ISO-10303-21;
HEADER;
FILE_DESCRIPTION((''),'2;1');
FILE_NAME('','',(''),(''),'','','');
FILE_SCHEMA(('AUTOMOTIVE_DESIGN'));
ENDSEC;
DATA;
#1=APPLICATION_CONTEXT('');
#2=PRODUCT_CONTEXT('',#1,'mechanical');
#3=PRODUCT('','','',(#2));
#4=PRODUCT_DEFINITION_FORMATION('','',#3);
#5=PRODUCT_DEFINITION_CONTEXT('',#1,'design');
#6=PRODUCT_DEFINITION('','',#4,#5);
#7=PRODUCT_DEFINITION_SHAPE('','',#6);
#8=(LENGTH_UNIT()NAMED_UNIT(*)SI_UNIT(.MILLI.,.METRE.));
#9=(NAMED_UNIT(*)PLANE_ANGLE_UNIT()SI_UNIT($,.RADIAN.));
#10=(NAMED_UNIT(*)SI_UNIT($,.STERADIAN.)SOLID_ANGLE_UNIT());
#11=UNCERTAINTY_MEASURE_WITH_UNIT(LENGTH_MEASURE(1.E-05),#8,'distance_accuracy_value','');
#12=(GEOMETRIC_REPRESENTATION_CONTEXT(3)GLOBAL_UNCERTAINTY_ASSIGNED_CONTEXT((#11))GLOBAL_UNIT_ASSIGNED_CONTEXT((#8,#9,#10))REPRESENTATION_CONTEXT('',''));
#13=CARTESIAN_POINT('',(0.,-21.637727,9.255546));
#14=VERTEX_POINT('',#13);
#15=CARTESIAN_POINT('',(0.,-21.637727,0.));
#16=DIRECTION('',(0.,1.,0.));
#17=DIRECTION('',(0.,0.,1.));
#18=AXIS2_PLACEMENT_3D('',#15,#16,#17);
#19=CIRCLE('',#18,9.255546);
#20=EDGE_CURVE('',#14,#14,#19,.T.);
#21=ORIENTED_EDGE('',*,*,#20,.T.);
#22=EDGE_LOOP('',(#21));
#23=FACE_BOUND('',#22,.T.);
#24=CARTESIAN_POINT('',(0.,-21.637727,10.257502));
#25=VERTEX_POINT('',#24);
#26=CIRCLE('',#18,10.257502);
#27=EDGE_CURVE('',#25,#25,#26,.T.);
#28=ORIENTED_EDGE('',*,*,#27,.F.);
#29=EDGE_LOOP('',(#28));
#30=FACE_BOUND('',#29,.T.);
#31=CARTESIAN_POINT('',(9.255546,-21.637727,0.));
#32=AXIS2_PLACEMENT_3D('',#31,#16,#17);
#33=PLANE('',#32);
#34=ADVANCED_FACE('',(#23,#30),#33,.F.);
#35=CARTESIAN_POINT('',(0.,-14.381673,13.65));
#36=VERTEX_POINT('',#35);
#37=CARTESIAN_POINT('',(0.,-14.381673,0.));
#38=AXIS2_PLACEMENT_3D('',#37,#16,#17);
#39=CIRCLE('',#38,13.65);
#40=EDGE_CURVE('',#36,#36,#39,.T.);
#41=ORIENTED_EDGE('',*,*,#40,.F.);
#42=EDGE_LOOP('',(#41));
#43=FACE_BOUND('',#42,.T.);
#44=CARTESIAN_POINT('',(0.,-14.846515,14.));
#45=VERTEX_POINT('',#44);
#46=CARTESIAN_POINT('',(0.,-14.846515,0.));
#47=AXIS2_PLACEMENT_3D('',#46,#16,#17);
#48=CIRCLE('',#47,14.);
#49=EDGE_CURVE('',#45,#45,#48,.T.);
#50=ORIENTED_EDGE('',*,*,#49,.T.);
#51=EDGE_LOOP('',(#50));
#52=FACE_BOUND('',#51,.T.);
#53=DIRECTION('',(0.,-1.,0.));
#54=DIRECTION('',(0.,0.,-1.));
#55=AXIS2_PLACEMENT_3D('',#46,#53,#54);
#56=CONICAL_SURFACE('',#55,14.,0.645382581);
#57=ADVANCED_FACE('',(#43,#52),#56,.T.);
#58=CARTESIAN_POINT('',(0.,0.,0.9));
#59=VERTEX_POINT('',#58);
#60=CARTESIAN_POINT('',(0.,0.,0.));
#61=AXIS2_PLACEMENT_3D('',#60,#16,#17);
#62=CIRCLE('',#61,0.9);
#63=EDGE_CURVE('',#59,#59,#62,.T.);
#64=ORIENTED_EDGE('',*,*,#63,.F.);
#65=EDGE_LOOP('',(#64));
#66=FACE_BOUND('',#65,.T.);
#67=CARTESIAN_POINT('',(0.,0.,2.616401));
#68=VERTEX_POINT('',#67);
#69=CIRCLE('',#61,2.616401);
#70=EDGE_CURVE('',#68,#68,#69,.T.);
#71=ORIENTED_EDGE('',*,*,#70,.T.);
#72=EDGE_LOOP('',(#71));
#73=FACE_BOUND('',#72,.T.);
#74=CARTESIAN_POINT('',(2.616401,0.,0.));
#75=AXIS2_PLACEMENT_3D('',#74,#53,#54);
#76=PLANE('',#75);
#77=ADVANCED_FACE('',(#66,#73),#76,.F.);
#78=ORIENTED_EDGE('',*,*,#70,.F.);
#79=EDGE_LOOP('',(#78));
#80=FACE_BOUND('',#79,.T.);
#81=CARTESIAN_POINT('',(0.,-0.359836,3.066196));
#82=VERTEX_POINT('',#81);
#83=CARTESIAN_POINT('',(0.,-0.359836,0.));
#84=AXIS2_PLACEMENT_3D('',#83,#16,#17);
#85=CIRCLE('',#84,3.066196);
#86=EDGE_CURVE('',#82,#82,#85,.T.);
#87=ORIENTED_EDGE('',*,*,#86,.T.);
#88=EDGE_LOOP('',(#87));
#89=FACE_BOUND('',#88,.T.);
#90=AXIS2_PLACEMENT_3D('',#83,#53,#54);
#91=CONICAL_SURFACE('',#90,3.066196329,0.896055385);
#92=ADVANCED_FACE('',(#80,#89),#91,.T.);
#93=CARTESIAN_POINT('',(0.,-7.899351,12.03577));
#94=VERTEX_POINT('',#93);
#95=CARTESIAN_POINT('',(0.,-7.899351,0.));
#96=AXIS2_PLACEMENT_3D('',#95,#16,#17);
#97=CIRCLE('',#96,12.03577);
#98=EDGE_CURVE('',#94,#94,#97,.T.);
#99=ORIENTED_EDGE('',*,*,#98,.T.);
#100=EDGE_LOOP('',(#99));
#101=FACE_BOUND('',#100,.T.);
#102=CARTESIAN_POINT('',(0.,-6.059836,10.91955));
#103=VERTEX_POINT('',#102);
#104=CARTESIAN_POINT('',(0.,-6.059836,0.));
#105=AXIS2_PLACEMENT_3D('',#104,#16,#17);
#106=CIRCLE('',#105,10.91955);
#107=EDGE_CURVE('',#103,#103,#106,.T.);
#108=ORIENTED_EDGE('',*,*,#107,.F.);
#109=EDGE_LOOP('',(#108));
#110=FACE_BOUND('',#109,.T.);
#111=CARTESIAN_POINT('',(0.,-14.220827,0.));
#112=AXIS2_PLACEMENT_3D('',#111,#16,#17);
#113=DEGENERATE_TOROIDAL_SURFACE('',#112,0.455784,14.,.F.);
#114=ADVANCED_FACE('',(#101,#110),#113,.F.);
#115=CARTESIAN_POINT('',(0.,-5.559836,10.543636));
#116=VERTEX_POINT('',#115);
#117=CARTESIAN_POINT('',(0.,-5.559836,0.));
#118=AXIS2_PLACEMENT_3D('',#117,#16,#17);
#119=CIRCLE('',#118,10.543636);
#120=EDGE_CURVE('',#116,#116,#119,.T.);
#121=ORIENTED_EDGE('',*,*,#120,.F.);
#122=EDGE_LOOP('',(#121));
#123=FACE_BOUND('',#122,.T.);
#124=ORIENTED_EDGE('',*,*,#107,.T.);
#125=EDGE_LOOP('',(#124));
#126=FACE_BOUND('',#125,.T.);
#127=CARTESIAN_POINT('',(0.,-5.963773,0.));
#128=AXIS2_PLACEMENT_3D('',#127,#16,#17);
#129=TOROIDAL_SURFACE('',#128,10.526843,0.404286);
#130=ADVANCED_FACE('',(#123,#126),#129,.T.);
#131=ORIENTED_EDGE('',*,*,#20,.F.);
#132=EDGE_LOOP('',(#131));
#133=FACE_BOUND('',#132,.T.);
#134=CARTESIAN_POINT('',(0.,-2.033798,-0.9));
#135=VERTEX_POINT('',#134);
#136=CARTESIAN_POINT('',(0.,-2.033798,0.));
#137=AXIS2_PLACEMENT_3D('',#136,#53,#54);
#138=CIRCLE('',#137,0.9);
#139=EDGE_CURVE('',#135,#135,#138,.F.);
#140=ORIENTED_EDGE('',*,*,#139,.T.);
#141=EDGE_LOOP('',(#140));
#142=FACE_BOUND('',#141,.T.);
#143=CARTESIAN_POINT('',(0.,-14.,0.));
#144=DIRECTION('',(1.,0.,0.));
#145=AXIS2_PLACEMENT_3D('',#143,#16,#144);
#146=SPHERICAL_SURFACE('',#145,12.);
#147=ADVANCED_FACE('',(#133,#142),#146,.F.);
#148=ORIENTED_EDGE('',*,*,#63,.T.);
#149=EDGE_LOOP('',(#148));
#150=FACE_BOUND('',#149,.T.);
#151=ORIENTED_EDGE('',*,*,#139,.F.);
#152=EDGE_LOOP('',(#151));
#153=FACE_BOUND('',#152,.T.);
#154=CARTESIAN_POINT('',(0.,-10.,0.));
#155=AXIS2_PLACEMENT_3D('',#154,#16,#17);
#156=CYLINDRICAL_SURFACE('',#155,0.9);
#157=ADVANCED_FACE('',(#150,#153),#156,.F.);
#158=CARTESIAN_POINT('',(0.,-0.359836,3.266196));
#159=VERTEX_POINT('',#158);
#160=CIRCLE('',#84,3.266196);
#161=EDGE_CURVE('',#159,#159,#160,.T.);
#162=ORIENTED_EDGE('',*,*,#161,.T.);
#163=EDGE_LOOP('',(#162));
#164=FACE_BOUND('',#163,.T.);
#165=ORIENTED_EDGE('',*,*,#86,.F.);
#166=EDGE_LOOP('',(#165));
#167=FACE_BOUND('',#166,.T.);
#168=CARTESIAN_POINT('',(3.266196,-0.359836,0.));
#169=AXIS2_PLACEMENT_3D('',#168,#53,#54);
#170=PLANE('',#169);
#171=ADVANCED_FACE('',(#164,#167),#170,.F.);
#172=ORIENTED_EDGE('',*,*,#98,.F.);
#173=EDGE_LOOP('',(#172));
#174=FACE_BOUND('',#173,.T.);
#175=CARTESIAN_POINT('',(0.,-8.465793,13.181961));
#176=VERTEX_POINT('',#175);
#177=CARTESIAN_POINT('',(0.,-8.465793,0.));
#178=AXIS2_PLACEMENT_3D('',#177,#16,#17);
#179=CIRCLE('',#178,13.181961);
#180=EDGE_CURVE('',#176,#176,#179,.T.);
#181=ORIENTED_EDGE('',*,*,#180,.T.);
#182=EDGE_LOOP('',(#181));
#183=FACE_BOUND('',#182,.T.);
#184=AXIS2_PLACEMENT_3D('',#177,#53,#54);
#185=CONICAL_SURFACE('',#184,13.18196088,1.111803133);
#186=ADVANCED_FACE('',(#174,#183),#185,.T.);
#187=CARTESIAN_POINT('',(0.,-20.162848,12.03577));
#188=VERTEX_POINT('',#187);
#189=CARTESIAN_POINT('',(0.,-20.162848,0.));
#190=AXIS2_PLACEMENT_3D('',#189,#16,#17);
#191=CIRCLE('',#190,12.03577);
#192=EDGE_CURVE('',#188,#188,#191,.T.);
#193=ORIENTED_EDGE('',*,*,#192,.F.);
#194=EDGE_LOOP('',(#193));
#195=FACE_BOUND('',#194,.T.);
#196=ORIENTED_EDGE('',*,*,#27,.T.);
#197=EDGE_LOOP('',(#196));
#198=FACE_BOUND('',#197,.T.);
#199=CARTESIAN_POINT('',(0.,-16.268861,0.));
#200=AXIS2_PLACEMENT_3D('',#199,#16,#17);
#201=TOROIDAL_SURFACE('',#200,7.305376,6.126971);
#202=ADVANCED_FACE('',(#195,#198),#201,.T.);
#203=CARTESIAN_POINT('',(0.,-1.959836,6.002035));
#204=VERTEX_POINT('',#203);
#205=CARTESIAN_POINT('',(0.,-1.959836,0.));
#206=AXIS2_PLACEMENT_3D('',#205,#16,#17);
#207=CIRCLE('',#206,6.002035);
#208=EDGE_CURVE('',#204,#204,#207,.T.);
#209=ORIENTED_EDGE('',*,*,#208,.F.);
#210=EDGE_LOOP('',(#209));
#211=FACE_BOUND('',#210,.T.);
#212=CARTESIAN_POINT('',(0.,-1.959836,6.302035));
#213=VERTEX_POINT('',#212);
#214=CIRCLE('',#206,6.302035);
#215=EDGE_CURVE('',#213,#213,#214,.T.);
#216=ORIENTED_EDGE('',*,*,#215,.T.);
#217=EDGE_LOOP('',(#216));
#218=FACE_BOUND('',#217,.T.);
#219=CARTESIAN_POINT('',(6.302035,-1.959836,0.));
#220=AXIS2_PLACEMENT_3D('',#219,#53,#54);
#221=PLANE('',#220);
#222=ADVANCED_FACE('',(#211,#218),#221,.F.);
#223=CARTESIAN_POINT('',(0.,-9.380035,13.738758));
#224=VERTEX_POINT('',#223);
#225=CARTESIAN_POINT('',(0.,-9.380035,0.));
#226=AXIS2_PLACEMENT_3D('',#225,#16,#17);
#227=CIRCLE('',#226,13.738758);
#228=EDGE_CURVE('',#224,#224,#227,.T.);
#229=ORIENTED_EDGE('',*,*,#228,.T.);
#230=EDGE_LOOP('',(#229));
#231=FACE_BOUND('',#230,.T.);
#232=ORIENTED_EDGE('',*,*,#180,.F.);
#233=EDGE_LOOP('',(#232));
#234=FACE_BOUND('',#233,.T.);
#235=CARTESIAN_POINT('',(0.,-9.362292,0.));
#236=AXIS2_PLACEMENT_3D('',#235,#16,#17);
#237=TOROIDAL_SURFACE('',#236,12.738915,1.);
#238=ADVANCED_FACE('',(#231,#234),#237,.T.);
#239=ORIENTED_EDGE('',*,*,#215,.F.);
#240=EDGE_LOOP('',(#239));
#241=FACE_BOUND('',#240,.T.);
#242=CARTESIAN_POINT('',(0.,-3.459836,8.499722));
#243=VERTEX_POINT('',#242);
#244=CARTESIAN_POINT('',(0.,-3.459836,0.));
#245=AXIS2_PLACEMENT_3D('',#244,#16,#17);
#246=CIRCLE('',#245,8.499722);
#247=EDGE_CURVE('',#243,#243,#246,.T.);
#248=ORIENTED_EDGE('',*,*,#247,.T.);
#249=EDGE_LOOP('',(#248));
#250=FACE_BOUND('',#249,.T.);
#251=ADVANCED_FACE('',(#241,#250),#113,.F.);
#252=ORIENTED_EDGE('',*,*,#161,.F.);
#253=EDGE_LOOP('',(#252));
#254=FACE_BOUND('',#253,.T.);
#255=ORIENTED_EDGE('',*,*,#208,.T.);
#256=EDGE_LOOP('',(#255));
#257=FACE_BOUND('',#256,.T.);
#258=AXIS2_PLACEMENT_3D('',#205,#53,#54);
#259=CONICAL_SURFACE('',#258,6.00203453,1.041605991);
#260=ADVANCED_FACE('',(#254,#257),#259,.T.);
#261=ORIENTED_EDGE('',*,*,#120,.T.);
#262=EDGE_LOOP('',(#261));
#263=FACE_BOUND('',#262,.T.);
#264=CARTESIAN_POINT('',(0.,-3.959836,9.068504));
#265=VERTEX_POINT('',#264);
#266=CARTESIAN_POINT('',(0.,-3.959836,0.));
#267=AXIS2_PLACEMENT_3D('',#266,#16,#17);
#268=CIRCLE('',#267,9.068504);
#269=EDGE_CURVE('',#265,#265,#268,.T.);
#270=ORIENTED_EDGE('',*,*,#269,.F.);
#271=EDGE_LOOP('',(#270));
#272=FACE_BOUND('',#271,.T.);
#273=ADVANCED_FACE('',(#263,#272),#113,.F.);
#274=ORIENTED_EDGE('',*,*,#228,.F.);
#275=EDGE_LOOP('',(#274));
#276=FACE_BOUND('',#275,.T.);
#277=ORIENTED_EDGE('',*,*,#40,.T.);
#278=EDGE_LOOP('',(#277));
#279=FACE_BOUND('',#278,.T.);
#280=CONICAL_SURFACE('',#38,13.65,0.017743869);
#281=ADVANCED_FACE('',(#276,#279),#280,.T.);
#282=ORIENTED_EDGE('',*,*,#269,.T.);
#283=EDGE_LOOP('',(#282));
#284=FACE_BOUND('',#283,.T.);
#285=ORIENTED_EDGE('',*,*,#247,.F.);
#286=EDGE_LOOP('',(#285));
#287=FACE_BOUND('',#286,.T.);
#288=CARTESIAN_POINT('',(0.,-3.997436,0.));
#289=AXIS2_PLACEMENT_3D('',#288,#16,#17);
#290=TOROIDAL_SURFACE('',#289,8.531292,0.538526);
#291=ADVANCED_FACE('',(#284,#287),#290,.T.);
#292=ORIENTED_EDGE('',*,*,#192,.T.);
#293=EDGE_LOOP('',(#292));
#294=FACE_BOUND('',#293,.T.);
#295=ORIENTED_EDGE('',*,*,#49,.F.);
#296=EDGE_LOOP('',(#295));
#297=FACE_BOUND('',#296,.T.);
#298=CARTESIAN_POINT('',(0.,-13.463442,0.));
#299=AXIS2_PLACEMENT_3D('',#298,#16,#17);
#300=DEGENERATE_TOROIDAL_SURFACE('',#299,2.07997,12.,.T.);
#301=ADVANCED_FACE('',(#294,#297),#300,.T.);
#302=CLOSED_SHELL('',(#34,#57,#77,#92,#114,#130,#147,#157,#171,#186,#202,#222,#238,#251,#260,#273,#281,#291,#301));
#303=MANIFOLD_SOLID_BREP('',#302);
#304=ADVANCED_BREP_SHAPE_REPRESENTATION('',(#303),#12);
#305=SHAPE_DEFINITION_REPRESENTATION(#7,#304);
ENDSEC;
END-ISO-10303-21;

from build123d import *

# Parameters (mm, degrees)
SKETCH2_R          = 0.9
CUT_EXTRUDE1_DEPTH = 10


with BuildPart() as part:
    # Sketch1 → Revolve1 (revolve)
    with BuildSketch(Plane.XY):
        with BuildLine():
            Line((0, 0), (0, -2.033797595))
            Line((0, -2.033797595), (0.9, -2.033797595))
            ThreePointArc((0.9, -2.033797595), (11.039125415, -9.294927197), (9.255545592, -21.637727135))
            Line((9.255545592, -21.637727135), (10.25750189, -21.637727135))
            ThreePointArc((10.25750189, -21.637727135), (11.216781964, -20.984862896), (12.035770488, -20.162848435))
            ThreePointArc((12.035770488, -20.162848435), (13.336250032, -17.622308215), (14, -14.846515061))
            Line((14, -14.846515061), (13.65, -14.381673028))
            Line((13.65, -14.381673028), (13.738757731, -9.380034665))
            ThreePointArc((13.738757731, -9.380034665), (13.592988482, -8.842139112), (13.18196088, -8.465792714))
            Line((13.18196088, -8.465792714), (12.035770488, -7.89935064))
            ThreePointArc((12.035770488, -7.89935064), (11.513052517, -6.958117416), (10.919550231, -6.059836227))
            ThreePointArc((10.919550231, -6.059836227), (10.849987846, -5.720823655), (10.543635929, -5.559836227))
            ThreePointArc((10.543635929, -5.559836227), (9.837206407, -4.731129974), (9.068504463, -3.959836227))
            ThreePointArc((9.068504463, -3.959836227), (8.8868459, -3.592970847), (8.499721613, -3.459836227))
            ThreePointArc((8.499721613, -3.459836227), (7.436594531, -2.657507158), (6.30203453, -1.959836227))
            Line((6.30203453, -1.959836227), (6.00203453, -1.959836227))
            Line((6.00203453, -1.959836227), (3.266196329, -0.359836227))
            Line((3.266196329, -0.359836227), (3.066196329, -0.359836227))
            Line((3.066196329, -0.359836227), (2.616401045, 0))
            Line((2.616401045, 0), (0.9, 0))
            Line((0.9, 0), (0, 0))
        make_face()
    revolve(axis=Axis((0, 0, 0), (0, -1, 0)))

    # Sketch2 → Cut-Extrude1 (cut)
    with BuildSketch(Plane(origin=(0, 0, 0), x_dir=(1, 0, 0), z_dir=(0, 1, 0))):
        Circle(SKETCH2_R)
    extrude(amount=-CUT_EXTRUDE1_DEPTH, mode=Mode.SUBTRACT)


solid = part.part
